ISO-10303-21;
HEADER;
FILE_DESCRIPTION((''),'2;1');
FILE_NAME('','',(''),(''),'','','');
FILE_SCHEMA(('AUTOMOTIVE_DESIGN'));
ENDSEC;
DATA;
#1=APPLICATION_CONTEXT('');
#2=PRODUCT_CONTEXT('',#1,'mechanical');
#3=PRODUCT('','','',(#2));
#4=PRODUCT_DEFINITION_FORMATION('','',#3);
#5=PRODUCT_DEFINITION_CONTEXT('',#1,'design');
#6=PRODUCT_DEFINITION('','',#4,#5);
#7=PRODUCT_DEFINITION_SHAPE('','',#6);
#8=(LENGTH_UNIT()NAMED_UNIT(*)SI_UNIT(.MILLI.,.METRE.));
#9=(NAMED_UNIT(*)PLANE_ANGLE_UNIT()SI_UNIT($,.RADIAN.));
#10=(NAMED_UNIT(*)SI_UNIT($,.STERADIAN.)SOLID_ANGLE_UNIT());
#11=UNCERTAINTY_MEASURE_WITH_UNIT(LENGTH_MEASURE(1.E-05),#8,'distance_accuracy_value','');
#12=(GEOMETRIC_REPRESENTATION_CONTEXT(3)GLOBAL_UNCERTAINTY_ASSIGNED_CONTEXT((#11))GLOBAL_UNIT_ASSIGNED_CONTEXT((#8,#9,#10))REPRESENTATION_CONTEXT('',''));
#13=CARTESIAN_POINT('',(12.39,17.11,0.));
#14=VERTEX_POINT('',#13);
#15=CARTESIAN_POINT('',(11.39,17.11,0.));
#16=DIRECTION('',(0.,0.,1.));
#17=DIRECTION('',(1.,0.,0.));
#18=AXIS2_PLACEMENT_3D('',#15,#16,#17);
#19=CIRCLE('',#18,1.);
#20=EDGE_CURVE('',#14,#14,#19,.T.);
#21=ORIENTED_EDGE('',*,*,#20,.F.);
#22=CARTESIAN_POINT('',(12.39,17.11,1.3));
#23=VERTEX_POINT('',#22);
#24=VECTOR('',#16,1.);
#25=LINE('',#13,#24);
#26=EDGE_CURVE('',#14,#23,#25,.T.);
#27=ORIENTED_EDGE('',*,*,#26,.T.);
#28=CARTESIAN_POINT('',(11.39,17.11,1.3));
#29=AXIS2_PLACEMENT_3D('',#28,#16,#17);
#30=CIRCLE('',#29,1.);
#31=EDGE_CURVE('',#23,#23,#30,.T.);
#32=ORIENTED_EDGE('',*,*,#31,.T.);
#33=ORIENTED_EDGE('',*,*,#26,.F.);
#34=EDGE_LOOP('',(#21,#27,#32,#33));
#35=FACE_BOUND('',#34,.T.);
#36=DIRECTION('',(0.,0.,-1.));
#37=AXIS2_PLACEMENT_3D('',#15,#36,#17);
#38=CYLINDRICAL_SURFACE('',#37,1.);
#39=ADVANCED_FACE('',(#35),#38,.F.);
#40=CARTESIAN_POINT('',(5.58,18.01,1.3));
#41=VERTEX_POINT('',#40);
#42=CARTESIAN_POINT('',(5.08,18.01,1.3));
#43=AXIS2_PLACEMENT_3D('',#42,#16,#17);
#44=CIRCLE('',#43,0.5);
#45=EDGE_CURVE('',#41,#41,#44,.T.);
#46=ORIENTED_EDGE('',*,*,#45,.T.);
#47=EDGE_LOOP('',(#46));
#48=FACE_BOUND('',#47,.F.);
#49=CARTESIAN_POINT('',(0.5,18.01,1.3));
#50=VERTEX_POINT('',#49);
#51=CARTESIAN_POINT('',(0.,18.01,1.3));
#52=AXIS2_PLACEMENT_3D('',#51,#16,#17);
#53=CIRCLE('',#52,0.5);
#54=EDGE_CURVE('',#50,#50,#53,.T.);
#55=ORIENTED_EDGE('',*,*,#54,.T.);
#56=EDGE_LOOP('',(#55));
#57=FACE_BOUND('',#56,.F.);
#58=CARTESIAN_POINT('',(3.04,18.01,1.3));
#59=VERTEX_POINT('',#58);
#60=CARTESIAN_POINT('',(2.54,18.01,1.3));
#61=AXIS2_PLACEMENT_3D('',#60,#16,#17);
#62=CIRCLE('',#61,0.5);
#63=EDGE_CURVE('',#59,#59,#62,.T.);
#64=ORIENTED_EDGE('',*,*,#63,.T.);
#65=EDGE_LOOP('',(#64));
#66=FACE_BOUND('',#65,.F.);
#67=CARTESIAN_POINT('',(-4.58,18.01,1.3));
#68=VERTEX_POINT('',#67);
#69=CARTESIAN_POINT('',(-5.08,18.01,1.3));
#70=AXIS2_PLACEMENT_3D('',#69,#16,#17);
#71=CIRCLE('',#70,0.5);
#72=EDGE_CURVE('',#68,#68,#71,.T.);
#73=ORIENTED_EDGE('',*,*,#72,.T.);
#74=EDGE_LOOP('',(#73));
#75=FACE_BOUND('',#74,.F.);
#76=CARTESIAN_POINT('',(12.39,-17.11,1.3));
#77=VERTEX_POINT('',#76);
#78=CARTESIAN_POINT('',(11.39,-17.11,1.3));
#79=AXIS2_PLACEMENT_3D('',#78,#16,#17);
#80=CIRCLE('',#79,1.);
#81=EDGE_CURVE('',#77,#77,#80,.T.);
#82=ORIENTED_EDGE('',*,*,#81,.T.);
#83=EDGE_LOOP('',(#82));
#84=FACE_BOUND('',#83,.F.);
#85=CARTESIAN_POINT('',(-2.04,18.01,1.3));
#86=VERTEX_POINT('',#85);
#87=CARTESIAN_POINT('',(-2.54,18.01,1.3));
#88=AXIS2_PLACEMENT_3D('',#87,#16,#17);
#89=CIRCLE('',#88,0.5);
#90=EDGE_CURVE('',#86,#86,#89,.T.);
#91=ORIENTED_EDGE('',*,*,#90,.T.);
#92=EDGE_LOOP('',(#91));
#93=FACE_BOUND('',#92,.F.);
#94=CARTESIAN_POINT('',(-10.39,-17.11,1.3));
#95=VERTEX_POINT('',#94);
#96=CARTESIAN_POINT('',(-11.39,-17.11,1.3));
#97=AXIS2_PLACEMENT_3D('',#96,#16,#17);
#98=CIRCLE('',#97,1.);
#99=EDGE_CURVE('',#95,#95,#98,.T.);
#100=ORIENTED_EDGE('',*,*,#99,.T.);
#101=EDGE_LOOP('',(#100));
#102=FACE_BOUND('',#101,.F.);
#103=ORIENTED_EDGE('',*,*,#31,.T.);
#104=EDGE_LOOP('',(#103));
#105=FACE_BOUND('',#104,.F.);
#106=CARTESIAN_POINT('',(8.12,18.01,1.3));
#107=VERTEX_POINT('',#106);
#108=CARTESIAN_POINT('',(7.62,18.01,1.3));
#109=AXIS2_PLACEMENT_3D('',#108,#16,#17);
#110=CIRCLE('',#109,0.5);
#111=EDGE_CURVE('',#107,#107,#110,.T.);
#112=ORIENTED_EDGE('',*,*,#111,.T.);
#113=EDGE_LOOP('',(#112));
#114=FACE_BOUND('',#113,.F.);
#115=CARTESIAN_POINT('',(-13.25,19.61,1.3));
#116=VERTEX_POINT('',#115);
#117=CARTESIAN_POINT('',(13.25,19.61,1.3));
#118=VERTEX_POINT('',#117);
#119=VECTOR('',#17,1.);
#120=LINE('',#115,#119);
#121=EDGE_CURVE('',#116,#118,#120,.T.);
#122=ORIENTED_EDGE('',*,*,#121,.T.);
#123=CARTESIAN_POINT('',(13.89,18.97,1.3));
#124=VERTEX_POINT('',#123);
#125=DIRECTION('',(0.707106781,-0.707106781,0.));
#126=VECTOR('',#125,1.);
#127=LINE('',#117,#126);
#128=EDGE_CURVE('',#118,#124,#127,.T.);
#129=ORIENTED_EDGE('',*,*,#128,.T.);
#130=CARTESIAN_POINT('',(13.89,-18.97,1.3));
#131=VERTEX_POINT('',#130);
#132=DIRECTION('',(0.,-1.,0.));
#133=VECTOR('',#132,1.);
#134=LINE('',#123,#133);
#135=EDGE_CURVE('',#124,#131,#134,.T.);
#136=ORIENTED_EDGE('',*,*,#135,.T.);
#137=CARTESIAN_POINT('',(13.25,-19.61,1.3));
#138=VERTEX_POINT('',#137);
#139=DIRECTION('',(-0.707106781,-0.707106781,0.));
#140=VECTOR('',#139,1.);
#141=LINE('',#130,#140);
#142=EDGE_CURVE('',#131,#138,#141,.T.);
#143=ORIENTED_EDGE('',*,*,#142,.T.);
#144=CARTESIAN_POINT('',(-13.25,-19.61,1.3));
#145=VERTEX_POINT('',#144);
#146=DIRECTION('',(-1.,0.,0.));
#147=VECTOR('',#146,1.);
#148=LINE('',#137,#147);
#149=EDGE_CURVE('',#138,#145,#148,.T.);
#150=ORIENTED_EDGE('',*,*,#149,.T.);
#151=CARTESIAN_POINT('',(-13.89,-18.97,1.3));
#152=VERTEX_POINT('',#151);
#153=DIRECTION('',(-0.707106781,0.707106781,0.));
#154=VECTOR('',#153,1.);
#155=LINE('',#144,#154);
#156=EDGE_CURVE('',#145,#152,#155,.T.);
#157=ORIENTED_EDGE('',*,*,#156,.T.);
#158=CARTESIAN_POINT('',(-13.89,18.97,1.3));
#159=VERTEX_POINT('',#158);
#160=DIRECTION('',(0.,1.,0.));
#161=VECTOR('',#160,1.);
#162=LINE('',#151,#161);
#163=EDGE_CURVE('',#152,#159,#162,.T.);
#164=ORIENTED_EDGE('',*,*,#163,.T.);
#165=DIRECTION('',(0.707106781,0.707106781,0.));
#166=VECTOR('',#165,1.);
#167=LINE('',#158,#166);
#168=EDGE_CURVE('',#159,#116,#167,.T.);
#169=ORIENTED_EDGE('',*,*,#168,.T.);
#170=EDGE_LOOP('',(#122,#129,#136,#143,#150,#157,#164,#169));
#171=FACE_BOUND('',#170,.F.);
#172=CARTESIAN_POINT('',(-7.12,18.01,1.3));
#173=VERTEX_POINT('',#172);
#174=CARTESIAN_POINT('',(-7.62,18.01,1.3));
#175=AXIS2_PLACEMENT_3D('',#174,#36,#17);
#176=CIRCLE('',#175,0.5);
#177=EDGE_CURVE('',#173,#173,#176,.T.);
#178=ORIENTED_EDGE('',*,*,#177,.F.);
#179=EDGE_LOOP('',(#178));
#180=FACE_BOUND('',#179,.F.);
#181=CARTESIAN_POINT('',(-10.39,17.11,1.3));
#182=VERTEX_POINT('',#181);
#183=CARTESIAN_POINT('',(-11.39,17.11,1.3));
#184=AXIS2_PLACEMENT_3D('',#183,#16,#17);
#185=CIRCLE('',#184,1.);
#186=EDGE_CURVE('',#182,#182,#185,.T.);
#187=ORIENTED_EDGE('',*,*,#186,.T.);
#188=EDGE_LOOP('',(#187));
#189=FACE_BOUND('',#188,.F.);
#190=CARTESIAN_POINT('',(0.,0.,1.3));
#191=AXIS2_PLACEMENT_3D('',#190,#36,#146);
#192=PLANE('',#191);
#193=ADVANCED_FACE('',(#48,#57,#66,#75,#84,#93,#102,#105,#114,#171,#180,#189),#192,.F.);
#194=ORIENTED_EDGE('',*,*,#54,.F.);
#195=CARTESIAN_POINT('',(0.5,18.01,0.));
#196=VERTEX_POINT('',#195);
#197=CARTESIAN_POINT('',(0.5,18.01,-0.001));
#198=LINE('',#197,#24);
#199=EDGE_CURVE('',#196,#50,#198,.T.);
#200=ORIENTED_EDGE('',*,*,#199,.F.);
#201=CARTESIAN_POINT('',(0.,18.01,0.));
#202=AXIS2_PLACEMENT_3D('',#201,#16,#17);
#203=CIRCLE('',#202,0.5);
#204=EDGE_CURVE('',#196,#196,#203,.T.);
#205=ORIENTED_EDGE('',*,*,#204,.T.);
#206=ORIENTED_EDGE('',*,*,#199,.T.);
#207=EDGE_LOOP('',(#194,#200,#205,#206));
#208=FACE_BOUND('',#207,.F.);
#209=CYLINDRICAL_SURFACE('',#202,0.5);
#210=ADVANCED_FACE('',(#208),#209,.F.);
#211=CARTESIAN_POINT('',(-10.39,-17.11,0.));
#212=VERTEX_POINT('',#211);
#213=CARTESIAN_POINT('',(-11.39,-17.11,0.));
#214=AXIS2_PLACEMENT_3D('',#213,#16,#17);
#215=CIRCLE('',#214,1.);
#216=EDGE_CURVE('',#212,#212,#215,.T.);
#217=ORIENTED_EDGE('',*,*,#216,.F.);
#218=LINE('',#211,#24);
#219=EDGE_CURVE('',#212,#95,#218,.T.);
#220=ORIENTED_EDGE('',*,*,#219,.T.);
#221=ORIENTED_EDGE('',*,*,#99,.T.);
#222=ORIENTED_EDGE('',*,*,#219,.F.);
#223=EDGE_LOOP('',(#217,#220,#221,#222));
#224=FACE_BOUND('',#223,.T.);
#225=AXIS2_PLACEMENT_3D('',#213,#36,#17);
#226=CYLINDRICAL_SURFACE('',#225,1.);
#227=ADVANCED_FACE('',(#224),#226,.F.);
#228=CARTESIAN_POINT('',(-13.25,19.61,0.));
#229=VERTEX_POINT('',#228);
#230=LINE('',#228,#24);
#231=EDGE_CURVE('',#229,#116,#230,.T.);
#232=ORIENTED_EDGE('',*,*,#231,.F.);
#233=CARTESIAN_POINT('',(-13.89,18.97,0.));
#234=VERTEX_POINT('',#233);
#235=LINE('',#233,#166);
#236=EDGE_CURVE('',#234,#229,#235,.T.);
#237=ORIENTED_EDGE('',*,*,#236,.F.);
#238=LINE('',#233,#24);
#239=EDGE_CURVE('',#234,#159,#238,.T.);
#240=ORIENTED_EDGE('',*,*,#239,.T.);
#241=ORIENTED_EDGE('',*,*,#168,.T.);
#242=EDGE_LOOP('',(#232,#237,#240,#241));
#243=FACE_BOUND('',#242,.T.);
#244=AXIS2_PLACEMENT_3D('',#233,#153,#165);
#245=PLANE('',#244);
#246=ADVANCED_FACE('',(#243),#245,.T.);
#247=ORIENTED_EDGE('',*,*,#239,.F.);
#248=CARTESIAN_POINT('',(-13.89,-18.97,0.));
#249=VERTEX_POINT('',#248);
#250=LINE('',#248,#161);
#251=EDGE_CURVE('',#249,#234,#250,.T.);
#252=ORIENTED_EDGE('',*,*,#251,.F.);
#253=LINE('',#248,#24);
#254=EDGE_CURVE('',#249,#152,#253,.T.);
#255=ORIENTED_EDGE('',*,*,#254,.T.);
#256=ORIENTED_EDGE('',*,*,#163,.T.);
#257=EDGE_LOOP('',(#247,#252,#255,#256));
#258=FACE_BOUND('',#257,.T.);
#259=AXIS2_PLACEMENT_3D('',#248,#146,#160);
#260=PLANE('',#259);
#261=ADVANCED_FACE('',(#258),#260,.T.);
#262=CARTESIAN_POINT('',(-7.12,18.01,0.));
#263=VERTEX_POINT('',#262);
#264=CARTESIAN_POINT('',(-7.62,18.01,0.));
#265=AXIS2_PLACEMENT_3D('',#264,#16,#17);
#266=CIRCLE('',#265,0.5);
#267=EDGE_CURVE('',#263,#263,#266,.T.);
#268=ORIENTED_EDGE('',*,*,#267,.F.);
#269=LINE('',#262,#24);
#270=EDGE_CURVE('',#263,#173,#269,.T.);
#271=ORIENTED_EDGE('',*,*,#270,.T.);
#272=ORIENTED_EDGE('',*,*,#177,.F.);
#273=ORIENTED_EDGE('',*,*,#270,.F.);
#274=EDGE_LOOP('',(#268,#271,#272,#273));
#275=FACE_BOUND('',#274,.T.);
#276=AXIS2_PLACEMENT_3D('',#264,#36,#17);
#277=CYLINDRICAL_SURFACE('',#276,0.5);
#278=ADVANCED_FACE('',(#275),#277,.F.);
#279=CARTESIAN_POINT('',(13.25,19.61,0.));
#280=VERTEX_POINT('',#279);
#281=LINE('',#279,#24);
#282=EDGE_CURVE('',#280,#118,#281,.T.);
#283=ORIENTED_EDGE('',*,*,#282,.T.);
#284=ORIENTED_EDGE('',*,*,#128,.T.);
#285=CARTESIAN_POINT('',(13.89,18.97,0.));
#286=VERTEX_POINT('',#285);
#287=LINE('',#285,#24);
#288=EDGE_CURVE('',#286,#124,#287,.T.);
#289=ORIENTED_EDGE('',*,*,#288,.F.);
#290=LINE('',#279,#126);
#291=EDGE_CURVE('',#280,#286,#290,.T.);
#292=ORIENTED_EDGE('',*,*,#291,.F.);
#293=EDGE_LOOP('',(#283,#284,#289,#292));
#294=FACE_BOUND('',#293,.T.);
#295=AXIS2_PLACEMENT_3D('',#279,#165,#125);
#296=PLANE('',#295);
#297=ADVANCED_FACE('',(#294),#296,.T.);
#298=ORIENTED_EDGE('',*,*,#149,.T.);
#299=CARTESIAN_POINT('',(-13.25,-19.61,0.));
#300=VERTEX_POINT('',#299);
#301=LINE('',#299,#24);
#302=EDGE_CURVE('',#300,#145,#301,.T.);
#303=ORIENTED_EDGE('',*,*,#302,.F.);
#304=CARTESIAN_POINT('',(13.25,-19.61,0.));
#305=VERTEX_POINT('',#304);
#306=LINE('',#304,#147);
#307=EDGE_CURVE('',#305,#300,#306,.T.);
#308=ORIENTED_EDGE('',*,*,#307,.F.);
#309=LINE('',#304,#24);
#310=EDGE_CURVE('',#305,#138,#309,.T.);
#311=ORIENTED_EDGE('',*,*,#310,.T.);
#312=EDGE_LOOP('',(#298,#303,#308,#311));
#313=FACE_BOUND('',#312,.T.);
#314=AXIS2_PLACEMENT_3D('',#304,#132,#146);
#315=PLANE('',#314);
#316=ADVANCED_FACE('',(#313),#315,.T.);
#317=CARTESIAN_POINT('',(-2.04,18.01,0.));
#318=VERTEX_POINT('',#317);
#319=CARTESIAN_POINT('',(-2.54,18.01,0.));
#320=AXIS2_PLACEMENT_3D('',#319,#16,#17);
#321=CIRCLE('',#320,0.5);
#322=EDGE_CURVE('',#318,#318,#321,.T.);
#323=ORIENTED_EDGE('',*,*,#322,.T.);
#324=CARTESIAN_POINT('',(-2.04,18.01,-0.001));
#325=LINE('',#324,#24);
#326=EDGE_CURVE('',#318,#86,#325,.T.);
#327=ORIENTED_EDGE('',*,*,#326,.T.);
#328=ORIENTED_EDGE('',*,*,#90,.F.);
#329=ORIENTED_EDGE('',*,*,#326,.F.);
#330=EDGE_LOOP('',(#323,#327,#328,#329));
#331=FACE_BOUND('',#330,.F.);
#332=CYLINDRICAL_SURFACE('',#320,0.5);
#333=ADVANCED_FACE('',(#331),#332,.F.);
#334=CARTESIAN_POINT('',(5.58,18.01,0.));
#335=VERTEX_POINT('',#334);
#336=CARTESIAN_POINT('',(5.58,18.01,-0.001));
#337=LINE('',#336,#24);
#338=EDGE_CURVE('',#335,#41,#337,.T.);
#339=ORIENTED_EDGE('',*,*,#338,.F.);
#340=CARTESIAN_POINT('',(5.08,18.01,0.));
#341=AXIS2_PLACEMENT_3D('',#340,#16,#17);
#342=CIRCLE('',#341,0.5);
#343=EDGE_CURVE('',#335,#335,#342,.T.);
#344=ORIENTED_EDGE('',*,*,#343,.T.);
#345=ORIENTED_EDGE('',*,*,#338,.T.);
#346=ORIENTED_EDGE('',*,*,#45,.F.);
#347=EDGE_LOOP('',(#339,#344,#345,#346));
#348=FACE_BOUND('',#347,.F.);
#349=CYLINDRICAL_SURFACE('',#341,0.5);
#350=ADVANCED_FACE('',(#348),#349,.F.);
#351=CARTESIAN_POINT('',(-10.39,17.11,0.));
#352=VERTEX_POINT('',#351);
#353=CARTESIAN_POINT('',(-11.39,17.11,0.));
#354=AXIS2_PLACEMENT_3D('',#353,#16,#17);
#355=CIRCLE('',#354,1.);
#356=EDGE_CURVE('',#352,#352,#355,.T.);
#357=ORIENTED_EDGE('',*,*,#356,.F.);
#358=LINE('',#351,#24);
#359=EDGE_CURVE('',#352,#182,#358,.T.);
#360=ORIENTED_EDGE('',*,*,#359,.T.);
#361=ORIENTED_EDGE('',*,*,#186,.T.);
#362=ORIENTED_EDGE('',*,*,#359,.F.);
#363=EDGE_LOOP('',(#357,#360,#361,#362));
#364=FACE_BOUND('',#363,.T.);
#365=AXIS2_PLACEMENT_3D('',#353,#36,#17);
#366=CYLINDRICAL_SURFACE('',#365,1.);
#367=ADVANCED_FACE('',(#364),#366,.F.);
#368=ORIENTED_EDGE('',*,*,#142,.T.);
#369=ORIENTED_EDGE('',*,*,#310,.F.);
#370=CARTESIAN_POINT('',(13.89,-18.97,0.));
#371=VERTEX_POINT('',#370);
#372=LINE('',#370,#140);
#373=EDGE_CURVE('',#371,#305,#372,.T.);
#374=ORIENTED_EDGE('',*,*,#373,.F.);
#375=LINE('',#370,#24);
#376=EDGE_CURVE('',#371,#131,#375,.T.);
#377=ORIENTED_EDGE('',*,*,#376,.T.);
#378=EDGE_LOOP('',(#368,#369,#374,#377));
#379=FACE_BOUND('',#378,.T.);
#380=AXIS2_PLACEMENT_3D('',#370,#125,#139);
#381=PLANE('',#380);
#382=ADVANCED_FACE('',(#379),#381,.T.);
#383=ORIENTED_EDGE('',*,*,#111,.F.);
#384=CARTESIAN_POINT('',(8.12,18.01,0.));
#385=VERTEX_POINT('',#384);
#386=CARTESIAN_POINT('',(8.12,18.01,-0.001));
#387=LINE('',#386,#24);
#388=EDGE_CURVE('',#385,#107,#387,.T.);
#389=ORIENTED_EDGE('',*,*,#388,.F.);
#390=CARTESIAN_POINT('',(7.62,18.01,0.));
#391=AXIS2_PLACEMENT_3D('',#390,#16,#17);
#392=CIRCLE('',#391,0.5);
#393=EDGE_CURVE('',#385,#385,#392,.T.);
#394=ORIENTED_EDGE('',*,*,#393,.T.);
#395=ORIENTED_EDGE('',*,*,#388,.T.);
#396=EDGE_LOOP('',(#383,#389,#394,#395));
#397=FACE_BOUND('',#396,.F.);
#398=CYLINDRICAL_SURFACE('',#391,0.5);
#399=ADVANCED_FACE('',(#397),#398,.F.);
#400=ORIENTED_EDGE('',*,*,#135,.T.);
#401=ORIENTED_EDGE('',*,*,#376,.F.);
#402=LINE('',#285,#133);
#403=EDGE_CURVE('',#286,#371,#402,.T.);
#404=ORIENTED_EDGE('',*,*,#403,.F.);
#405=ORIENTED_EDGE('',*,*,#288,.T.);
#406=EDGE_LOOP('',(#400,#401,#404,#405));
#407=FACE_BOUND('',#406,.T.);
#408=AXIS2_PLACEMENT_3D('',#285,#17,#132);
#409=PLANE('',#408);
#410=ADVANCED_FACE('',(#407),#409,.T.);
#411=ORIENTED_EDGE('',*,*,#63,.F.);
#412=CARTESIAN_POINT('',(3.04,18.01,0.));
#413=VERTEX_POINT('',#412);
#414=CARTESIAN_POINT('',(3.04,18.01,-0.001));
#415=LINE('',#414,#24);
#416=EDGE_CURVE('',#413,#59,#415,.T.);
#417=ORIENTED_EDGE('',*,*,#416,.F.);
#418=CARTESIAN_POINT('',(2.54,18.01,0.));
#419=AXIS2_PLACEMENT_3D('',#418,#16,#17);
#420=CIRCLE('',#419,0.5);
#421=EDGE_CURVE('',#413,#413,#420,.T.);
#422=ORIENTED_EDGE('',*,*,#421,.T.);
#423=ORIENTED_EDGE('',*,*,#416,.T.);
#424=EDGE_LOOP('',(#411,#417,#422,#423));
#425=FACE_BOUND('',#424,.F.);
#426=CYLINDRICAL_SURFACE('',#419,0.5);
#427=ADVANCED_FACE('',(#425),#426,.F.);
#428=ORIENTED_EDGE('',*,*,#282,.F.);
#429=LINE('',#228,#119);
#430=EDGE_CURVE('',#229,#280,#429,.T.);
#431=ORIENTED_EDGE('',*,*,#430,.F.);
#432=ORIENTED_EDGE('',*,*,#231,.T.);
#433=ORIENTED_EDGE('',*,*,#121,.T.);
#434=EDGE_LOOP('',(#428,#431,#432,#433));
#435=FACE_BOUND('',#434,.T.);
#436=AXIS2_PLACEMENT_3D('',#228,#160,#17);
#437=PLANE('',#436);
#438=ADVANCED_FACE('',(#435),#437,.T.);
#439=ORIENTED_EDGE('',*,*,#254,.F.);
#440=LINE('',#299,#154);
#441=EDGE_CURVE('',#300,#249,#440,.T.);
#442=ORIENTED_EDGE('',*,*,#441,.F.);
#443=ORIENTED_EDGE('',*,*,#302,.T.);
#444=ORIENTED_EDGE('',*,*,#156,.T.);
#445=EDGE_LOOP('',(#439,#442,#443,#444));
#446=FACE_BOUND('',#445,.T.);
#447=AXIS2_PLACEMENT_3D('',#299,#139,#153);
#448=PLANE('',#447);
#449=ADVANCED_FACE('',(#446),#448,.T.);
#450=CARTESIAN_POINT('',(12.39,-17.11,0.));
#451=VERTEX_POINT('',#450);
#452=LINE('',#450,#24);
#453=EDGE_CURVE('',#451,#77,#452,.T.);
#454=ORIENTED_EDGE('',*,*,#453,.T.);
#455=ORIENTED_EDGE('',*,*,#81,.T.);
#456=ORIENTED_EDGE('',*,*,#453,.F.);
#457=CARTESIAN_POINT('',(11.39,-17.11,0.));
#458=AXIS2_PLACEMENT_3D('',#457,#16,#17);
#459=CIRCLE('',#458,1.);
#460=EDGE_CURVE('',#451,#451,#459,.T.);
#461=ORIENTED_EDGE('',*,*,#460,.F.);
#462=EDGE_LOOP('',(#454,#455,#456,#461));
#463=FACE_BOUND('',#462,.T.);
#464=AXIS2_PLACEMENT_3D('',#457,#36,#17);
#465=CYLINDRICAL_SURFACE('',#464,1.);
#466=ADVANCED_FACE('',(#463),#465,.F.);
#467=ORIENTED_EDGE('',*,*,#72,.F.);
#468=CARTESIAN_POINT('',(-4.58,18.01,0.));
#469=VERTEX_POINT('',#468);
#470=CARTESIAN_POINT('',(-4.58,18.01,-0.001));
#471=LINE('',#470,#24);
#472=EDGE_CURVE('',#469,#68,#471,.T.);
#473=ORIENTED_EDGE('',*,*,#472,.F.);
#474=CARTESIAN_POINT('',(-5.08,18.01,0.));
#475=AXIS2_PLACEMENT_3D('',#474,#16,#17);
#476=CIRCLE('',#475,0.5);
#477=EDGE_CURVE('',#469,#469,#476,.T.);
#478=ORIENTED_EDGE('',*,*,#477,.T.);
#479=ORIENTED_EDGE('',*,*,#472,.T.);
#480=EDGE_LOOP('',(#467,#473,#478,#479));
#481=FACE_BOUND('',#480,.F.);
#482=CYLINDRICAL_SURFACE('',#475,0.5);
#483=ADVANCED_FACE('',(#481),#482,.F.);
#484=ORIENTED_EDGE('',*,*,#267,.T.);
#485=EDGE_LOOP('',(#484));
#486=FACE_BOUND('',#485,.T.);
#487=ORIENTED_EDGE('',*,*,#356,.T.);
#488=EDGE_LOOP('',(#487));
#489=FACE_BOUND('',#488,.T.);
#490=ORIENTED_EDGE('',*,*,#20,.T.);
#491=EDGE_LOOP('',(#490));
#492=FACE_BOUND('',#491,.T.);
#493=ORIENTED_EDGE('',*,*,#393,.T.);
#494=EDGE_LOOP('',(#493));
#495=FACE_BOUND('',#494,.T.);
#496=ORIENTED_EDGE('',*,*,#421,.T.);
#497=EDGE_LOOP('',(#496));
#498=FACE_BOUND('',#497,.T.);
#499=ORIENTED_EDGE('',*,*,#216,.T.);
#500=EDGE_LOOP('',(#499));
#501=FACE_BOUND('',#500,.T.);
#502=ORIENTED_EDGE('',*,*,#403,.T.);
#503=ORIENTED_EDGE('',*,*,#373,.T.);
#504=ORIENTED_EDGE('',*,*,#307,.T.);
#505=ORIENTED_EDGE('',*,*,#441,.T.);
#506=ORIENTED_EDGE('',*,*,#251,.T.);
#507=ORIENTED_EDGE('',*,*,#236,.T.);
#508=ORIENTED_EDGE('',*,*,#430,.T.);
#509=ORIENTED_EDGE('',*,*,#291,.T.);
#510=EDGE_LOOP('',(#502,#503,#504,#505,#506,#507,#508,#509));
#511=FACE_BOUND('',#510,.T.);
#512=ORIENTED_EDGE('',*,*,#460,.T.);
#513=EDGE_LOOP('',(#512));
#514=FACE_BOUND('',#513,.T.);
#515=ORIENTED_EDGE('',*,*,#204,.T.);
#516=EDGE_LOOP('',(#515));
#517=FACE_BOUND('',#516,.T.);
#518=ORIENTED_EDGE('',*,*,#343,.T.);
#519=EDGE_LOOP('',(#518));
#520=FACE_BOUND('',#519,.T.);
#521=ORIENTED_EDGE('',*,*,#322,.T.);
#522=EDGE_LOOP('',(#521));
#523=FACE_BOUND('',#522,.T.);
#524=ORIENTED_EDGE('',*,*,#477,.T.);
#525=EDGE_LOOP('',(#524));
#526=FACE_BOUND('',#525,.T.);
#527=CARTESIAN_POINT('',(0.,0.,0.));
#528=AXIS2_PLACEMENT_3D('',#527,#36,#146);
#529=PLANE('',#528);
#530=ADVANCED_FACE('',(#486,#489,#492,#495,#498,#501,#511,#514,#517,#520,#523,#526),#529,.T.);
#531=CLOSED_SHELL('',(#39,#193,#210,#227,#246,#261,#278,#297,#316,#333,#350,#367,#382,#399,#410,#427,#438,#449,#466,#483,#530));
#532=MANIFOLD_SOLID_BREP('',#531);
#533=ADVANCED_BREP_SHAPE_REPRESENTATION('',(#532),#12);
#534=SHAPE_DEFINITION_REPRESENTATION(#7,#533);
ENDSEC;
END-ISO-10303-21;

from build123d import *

# Parameters (mm, degrees)
SKETCH068_R         = 1
PAD021_DEPTH        = 1.3
SKETCH002_R         = 0.5
POCKET_DEPTH        = 0.001
POCKET_DEPTH_BACK   = 1.301
LINEARPATTERN_COUNT = 7
LINEARPATTERN_PITCH = 2.54


with BuildPart() as part:
    # Sketch068 → Pad021 (new body)
    with BuildSketch(Plane.XY):
        Polygon((-13.25, 19.61), (13.25, 19.61), (13.89, 18.97), (13.89, -18.97), (13.25, -19.61), (-13.25, -19.61), (-13.89, -18.97), (-13.89, 18.97), align=None)
        with Locations((11.39, 17.11)):
            Circle(SKETCH068_R, mode=Mode.SUBTRACT)
        with Locations((-11.39, 17.11)):
            Circle(SKETCH068_R, mode=Mode.SUBTRACT)
        with Locations((-11.39, -17.11)):
            Circle(SKETCH068_R, mode=Mode.SUBTRACT)
        with Locations((11.39, -17.11)):
            Circle(SKETCH068_R, mode=Mode.SUBTRACT)
    extrude(amount=PAD021_DEPTH)

    # Sketch002 → Pocket (cut, two sides)
    with BuildSketch(Plane.XY) as pocket_sk:
        with Locations((-7.62, 18.01)):
            Circle(SKETCH002_R)
    pocket = extrude(amount=-POCKET_DEPTH, mode=Mode.SUBTRACT) + extrude(pocket_sk.sketch, amount=POCKET_DEPTH_BACK, mode=Mode.SUBTRACT)

    # LinearPattern: Pocket ×7
    with Locations(*[(i * LINEARPATTERN_PITCH, 0, 0) for i in range(1, LINEARPATTERN_COUNT)]):
        add(pocket, mode=Mode.SUBTRACT)


solid = part.part
